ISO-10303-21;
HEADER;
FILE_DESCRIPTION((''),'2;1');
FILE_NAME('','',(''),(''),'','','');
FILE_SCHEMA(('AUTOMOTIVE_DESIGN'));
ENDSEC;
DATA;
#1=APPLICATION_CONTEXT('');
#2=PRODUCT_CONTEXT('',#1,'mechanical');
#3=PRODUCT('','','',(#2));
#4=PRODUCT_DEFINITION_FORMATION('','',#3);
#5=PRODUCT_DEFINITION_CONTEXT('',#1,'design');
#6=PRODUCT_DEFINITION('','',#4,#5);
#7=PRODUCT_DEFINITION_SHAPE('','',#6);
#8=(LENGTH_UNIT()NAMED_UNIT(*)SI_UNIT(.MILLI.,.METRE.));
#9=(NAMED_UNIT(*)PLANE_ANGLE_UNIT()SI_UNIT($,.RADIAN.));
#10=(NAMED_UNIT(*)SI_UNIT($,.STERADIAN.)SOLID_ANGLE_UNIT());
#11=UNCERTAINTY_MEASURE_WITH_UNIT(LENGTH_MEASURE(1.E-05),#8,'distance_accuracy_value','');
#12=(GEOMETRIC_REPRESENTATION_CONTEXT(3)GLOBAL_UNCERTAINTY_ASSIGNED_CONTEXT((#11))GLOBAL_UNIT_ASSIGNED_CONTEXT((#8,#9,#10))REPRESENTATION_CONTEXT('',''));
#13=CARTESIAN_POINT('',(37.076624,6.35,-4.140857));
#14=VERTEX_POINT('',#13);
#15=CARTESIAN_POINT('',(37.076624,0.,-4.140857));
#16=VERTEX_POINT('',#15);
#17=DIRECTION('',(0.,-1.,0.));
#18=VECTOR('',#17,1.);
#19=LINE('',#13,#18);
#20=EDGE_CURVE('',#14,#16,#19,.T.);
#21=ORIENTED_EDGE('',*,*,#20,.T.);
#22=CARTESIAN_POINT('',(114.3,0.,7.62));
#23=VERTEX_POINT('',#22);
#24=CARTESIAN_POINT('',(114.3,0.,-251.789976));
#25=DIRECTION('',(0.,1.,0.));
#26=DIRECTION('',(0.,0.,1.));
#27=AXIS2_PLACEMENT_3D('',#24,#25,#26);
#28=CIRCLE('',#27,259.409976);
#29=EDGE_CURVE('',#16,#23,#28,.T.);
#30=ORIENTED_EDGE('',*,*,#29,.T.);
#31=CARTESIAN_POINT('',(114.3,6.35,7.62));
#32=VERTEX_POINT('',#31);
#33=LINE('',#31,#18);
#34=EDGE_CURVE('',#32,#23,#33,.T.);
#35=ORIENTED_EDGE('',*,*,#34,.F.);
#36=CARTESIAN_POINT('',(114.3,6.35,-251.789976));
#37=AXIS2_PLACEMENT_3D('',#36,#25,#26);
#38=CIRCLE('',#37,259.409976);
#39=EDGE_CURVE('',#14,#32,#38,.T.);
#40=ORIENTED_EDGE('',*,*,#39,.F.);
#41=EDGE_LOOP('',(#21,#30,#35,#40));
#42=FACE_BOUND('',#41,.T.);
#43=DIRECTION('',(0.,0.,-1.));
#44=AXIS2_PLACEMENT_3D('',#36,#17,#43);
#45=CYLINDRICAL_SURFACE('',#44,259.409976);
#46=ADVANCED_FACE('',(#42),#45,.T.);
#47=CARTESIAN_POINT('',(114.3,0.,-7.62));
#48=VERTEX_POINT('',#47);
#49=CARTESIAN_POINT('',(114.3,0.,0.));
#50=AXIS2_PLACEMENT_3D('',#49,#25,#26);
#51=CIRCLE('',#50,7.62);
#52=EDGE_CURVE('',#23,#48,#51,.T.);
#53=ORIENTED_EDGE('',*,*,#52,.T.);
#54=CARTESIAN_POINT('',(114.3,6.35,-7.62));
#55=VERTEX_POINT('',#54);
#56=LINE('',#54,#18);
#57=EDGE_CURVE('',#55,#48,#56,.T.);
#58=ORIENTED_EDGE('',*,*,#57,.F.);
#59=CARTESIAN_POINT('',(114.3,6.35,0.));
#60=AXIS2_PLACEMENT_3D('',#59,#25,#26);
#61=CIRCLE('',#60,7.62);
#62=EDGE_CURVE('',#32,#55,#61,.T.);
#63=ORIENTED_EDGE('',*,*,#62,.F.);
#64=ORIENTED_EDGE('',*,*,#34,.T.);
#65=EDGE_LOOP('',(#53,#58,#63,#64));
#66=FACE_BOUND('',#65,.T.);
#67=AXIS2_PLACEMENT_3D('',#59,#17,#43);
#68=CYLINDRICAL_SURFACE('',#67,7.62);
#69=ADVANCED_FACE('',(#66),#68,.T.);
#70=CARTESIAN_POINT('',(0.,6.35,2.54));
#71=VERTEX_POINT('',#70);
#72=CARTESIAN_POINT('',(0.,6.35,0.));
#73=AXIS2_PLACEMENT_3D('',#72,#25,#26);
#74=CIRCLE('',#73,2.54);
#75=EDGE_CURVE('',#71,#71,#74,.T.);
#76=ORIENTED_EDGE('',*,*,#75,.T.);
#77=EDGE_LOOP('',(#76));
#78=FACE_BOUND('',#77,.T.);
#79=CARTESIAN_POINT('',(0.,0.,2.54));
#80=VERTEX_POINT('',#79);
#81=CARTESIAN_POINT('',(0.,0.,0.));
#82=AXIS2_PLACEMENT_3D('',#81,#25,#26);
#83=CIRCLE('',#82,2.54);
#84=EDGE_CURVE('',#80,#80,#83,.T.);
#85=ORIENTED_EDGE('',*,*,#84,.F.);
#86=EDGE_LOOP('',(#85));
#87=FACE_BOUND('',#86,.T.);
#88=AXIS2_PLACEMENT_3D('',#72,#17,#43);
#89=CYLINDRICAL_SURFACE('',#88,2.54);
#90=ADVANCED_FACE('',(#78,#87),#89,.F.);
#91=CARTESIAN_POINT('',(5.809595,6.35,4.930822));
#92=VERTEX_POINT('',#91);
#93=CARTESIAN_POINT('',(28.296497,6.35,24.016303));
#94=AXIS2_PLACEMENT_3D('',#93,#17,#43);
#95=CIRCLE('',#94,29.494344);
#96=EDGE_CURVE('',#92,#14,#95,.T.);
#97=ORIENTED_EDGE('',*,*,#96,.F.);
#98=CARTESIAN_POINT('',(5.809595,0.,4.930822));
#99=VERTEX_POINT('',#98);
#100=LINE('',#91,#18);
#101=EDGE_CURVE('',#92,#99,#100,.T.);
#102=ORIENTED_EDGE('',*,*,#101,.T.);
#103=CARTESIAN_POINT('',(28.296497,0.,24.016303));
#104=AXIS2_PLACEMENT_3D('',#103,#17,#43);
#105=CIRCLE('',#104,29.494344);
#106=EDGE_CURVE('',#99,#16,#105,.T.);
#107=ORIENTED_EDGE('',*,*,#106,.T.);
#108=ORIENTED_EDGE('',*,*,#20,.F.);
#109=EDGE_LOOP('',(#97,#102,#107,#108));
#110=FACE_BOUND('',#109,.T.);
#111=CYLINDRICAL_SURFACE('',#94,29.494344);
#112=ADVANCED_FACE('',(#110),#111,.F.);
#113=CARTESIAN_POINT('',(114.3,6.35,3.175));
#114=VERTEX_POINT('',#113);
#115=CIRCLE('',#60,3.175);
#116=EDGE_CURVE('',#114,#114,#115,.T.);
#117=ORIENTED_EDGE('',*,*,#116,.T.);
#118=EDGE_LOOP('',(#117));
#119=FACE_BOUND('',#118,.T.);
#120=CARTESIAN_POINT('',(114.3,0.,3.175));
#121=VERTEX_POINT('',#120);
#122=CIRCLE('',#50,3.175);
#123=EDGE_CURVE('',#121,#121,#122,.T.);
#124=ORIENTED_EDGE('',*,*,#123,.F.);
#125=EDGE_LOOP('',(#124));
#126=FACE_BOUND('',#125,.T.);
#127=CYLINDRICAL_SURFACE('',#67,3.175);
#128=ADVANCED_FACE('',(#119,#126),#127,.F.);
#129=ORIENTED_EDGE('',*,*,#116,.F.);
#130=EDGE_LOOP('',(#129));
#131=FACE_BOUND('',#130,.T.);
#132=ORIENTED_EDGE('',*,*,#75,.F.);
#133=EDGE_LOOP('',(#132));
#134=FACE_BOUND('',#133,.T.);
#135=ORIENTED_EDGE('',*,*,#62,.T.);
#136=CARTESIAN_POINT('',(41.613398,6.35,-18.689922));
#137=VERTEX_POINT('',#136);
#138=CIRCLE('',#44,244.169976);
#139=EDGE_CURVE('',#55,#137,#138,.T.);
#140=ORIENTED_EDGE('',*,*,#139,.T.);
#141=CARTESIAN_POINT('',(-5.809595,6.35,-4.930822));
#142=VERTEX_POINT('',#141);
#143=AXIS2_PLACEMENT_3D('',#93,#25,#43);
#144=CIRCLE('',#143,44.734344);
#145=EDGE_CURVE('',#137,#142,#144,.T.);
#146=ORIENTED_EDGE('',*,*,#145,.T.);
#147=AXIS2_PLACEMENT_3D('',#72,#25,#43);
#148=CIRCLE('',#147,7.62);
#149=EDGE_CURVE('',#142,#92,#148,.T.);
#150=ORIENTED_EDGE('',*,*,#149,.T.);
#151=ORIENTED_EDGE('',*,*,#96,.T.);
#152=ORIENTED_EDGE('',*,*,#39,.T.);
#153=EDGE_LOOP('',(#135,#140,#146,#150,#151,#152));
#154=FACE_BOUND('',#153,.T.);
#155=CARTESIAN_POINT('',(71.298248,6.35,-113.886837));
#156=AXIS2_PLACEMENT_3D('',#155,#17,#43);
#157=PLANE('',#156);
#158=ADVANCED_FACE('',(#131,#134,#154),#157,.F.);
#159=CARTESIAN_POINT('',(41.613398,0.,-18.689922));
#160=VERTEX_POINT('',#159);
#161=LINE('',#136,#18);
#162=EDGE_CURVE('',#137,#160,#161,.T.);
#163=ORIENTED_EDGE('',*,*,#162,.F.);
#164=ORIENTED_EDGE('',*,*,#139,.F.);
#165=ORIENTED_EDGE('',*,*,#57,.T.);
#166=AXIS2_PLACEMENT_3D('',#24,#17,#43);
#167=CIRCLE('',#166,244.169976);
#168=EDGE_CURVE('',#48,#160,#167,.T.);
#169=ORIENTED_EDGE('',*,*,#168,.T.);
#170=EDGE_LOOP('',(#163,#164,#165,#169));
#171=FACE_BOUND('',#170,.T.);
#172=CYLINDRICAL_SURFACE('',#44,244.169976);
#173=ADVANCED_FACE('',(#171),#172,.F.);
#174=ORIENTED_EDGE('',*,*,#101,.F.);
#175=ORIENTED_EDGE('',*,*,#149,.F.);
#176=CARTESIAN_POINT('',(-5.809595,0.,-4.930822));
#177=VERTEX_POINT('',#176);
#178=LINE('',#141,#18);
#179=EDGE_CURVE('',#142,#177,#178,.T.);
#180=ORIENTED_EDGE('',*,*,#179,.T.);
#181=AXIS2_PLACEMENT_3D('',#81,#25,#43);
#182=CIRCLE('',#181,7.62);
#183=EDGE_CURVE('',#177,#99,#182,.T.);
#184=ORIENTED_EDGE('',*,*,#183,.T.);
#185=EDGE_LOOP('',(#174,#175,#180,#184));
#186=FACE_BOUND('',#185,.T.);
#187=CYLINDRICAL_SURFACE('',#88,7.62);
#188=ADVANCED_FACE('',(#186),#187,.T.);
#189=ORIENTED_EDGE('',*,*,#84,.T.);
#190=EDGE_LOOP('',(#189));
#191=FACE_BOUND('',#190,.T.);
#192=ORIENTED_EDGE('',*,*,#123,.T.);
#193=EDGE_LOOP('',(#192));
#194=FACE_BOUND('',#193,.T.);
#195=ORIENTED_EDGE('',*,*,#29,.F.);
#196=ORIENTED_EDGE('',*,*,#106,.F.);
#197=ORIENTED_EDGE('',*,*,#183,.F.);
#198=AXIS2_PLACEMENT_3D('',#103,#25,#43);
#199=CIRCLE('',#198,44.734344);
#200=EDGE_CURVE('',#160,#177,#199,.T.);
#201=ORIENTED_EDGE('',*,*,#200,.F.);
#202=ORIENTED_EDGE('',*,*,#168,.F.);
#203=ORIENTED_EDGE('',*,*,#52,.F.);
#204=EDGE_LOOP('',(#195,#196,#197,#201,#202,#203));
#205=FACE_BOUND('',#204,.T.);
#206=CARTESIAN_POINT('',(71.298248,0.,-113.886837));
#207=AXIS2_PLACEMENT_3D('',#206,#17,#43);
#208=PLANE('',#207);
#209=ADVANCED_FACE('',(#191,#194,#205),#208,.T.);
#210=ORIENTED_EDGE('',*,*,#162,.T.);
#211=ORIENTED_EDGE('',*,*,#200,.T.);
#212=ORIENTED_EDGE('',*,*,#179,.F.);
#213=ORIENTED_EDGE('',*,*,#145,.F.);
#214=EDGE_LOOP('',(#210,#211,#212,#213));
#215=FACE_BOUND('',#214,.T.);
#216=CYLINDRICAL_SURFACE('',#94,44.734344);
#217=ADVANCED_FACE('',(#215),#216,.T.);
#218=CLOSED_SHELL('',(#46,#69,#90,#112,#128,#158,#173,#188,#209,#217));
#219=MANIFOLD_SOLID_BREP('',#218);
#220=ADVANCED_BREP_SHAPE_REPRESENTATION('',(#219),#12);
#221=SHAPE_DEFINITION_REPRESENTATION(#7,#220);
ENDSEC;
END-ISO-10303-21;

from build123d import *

# Parameters (mm, degrees)
SKETCH1_R           = 2.54
SKETCH1_R_2         = 3.175
BOSS_EXTRUDE1_DEPTH = 6.35


with BuildPart() as part:
    # Sketch1 → Boss-Extrude1 (new body)
    with BuildSketch(Plane(origin=(0, 0, 0), x_dir=(1, 0, 0), z_dir=(0, 1, 0))):
        with BuildLine():
            ThreePointArc((5.809594947, -4.930822097), (-4.930822097, -5.809594947), (-5.809594947, 4.930822097))
            ThreePointArc((-5.809594947, 4.930822097), (15.83151286, 18.946305392), (41.613397719, 18.689922307))
            ThreePointArc((41.613397719, 18.689922307), (77.537637008, 10.403344539), (114.3, 7.62))
            ThreePointArc((114.3, 7.62), (121.92, 0), (114.3, -7.62))
            ThreePointArc((114.3, -7.62), (75.243094408, -4.662931519), (37.076624458, 4.140857444))
            ThreePointArc((37.076624458, 4.140857444), (20.078056688, 4.309896491), (5.809594947, -4.930822097))
        make_face()
        with Locations(Location((0, 0, 0), (0, 0, 270))):
            Circle(SKETCH1_R, mode=Mode.SUBTRACT)
        with Locations(Location((114.3, 0, 0), (0, 0, 270))):
            Circle(SKETCH1_R_2, mode=Mode.SUBTRACT)
    extrude(amount=BOSS_EXTRUDE1_DEPTH)


solid = part.part
